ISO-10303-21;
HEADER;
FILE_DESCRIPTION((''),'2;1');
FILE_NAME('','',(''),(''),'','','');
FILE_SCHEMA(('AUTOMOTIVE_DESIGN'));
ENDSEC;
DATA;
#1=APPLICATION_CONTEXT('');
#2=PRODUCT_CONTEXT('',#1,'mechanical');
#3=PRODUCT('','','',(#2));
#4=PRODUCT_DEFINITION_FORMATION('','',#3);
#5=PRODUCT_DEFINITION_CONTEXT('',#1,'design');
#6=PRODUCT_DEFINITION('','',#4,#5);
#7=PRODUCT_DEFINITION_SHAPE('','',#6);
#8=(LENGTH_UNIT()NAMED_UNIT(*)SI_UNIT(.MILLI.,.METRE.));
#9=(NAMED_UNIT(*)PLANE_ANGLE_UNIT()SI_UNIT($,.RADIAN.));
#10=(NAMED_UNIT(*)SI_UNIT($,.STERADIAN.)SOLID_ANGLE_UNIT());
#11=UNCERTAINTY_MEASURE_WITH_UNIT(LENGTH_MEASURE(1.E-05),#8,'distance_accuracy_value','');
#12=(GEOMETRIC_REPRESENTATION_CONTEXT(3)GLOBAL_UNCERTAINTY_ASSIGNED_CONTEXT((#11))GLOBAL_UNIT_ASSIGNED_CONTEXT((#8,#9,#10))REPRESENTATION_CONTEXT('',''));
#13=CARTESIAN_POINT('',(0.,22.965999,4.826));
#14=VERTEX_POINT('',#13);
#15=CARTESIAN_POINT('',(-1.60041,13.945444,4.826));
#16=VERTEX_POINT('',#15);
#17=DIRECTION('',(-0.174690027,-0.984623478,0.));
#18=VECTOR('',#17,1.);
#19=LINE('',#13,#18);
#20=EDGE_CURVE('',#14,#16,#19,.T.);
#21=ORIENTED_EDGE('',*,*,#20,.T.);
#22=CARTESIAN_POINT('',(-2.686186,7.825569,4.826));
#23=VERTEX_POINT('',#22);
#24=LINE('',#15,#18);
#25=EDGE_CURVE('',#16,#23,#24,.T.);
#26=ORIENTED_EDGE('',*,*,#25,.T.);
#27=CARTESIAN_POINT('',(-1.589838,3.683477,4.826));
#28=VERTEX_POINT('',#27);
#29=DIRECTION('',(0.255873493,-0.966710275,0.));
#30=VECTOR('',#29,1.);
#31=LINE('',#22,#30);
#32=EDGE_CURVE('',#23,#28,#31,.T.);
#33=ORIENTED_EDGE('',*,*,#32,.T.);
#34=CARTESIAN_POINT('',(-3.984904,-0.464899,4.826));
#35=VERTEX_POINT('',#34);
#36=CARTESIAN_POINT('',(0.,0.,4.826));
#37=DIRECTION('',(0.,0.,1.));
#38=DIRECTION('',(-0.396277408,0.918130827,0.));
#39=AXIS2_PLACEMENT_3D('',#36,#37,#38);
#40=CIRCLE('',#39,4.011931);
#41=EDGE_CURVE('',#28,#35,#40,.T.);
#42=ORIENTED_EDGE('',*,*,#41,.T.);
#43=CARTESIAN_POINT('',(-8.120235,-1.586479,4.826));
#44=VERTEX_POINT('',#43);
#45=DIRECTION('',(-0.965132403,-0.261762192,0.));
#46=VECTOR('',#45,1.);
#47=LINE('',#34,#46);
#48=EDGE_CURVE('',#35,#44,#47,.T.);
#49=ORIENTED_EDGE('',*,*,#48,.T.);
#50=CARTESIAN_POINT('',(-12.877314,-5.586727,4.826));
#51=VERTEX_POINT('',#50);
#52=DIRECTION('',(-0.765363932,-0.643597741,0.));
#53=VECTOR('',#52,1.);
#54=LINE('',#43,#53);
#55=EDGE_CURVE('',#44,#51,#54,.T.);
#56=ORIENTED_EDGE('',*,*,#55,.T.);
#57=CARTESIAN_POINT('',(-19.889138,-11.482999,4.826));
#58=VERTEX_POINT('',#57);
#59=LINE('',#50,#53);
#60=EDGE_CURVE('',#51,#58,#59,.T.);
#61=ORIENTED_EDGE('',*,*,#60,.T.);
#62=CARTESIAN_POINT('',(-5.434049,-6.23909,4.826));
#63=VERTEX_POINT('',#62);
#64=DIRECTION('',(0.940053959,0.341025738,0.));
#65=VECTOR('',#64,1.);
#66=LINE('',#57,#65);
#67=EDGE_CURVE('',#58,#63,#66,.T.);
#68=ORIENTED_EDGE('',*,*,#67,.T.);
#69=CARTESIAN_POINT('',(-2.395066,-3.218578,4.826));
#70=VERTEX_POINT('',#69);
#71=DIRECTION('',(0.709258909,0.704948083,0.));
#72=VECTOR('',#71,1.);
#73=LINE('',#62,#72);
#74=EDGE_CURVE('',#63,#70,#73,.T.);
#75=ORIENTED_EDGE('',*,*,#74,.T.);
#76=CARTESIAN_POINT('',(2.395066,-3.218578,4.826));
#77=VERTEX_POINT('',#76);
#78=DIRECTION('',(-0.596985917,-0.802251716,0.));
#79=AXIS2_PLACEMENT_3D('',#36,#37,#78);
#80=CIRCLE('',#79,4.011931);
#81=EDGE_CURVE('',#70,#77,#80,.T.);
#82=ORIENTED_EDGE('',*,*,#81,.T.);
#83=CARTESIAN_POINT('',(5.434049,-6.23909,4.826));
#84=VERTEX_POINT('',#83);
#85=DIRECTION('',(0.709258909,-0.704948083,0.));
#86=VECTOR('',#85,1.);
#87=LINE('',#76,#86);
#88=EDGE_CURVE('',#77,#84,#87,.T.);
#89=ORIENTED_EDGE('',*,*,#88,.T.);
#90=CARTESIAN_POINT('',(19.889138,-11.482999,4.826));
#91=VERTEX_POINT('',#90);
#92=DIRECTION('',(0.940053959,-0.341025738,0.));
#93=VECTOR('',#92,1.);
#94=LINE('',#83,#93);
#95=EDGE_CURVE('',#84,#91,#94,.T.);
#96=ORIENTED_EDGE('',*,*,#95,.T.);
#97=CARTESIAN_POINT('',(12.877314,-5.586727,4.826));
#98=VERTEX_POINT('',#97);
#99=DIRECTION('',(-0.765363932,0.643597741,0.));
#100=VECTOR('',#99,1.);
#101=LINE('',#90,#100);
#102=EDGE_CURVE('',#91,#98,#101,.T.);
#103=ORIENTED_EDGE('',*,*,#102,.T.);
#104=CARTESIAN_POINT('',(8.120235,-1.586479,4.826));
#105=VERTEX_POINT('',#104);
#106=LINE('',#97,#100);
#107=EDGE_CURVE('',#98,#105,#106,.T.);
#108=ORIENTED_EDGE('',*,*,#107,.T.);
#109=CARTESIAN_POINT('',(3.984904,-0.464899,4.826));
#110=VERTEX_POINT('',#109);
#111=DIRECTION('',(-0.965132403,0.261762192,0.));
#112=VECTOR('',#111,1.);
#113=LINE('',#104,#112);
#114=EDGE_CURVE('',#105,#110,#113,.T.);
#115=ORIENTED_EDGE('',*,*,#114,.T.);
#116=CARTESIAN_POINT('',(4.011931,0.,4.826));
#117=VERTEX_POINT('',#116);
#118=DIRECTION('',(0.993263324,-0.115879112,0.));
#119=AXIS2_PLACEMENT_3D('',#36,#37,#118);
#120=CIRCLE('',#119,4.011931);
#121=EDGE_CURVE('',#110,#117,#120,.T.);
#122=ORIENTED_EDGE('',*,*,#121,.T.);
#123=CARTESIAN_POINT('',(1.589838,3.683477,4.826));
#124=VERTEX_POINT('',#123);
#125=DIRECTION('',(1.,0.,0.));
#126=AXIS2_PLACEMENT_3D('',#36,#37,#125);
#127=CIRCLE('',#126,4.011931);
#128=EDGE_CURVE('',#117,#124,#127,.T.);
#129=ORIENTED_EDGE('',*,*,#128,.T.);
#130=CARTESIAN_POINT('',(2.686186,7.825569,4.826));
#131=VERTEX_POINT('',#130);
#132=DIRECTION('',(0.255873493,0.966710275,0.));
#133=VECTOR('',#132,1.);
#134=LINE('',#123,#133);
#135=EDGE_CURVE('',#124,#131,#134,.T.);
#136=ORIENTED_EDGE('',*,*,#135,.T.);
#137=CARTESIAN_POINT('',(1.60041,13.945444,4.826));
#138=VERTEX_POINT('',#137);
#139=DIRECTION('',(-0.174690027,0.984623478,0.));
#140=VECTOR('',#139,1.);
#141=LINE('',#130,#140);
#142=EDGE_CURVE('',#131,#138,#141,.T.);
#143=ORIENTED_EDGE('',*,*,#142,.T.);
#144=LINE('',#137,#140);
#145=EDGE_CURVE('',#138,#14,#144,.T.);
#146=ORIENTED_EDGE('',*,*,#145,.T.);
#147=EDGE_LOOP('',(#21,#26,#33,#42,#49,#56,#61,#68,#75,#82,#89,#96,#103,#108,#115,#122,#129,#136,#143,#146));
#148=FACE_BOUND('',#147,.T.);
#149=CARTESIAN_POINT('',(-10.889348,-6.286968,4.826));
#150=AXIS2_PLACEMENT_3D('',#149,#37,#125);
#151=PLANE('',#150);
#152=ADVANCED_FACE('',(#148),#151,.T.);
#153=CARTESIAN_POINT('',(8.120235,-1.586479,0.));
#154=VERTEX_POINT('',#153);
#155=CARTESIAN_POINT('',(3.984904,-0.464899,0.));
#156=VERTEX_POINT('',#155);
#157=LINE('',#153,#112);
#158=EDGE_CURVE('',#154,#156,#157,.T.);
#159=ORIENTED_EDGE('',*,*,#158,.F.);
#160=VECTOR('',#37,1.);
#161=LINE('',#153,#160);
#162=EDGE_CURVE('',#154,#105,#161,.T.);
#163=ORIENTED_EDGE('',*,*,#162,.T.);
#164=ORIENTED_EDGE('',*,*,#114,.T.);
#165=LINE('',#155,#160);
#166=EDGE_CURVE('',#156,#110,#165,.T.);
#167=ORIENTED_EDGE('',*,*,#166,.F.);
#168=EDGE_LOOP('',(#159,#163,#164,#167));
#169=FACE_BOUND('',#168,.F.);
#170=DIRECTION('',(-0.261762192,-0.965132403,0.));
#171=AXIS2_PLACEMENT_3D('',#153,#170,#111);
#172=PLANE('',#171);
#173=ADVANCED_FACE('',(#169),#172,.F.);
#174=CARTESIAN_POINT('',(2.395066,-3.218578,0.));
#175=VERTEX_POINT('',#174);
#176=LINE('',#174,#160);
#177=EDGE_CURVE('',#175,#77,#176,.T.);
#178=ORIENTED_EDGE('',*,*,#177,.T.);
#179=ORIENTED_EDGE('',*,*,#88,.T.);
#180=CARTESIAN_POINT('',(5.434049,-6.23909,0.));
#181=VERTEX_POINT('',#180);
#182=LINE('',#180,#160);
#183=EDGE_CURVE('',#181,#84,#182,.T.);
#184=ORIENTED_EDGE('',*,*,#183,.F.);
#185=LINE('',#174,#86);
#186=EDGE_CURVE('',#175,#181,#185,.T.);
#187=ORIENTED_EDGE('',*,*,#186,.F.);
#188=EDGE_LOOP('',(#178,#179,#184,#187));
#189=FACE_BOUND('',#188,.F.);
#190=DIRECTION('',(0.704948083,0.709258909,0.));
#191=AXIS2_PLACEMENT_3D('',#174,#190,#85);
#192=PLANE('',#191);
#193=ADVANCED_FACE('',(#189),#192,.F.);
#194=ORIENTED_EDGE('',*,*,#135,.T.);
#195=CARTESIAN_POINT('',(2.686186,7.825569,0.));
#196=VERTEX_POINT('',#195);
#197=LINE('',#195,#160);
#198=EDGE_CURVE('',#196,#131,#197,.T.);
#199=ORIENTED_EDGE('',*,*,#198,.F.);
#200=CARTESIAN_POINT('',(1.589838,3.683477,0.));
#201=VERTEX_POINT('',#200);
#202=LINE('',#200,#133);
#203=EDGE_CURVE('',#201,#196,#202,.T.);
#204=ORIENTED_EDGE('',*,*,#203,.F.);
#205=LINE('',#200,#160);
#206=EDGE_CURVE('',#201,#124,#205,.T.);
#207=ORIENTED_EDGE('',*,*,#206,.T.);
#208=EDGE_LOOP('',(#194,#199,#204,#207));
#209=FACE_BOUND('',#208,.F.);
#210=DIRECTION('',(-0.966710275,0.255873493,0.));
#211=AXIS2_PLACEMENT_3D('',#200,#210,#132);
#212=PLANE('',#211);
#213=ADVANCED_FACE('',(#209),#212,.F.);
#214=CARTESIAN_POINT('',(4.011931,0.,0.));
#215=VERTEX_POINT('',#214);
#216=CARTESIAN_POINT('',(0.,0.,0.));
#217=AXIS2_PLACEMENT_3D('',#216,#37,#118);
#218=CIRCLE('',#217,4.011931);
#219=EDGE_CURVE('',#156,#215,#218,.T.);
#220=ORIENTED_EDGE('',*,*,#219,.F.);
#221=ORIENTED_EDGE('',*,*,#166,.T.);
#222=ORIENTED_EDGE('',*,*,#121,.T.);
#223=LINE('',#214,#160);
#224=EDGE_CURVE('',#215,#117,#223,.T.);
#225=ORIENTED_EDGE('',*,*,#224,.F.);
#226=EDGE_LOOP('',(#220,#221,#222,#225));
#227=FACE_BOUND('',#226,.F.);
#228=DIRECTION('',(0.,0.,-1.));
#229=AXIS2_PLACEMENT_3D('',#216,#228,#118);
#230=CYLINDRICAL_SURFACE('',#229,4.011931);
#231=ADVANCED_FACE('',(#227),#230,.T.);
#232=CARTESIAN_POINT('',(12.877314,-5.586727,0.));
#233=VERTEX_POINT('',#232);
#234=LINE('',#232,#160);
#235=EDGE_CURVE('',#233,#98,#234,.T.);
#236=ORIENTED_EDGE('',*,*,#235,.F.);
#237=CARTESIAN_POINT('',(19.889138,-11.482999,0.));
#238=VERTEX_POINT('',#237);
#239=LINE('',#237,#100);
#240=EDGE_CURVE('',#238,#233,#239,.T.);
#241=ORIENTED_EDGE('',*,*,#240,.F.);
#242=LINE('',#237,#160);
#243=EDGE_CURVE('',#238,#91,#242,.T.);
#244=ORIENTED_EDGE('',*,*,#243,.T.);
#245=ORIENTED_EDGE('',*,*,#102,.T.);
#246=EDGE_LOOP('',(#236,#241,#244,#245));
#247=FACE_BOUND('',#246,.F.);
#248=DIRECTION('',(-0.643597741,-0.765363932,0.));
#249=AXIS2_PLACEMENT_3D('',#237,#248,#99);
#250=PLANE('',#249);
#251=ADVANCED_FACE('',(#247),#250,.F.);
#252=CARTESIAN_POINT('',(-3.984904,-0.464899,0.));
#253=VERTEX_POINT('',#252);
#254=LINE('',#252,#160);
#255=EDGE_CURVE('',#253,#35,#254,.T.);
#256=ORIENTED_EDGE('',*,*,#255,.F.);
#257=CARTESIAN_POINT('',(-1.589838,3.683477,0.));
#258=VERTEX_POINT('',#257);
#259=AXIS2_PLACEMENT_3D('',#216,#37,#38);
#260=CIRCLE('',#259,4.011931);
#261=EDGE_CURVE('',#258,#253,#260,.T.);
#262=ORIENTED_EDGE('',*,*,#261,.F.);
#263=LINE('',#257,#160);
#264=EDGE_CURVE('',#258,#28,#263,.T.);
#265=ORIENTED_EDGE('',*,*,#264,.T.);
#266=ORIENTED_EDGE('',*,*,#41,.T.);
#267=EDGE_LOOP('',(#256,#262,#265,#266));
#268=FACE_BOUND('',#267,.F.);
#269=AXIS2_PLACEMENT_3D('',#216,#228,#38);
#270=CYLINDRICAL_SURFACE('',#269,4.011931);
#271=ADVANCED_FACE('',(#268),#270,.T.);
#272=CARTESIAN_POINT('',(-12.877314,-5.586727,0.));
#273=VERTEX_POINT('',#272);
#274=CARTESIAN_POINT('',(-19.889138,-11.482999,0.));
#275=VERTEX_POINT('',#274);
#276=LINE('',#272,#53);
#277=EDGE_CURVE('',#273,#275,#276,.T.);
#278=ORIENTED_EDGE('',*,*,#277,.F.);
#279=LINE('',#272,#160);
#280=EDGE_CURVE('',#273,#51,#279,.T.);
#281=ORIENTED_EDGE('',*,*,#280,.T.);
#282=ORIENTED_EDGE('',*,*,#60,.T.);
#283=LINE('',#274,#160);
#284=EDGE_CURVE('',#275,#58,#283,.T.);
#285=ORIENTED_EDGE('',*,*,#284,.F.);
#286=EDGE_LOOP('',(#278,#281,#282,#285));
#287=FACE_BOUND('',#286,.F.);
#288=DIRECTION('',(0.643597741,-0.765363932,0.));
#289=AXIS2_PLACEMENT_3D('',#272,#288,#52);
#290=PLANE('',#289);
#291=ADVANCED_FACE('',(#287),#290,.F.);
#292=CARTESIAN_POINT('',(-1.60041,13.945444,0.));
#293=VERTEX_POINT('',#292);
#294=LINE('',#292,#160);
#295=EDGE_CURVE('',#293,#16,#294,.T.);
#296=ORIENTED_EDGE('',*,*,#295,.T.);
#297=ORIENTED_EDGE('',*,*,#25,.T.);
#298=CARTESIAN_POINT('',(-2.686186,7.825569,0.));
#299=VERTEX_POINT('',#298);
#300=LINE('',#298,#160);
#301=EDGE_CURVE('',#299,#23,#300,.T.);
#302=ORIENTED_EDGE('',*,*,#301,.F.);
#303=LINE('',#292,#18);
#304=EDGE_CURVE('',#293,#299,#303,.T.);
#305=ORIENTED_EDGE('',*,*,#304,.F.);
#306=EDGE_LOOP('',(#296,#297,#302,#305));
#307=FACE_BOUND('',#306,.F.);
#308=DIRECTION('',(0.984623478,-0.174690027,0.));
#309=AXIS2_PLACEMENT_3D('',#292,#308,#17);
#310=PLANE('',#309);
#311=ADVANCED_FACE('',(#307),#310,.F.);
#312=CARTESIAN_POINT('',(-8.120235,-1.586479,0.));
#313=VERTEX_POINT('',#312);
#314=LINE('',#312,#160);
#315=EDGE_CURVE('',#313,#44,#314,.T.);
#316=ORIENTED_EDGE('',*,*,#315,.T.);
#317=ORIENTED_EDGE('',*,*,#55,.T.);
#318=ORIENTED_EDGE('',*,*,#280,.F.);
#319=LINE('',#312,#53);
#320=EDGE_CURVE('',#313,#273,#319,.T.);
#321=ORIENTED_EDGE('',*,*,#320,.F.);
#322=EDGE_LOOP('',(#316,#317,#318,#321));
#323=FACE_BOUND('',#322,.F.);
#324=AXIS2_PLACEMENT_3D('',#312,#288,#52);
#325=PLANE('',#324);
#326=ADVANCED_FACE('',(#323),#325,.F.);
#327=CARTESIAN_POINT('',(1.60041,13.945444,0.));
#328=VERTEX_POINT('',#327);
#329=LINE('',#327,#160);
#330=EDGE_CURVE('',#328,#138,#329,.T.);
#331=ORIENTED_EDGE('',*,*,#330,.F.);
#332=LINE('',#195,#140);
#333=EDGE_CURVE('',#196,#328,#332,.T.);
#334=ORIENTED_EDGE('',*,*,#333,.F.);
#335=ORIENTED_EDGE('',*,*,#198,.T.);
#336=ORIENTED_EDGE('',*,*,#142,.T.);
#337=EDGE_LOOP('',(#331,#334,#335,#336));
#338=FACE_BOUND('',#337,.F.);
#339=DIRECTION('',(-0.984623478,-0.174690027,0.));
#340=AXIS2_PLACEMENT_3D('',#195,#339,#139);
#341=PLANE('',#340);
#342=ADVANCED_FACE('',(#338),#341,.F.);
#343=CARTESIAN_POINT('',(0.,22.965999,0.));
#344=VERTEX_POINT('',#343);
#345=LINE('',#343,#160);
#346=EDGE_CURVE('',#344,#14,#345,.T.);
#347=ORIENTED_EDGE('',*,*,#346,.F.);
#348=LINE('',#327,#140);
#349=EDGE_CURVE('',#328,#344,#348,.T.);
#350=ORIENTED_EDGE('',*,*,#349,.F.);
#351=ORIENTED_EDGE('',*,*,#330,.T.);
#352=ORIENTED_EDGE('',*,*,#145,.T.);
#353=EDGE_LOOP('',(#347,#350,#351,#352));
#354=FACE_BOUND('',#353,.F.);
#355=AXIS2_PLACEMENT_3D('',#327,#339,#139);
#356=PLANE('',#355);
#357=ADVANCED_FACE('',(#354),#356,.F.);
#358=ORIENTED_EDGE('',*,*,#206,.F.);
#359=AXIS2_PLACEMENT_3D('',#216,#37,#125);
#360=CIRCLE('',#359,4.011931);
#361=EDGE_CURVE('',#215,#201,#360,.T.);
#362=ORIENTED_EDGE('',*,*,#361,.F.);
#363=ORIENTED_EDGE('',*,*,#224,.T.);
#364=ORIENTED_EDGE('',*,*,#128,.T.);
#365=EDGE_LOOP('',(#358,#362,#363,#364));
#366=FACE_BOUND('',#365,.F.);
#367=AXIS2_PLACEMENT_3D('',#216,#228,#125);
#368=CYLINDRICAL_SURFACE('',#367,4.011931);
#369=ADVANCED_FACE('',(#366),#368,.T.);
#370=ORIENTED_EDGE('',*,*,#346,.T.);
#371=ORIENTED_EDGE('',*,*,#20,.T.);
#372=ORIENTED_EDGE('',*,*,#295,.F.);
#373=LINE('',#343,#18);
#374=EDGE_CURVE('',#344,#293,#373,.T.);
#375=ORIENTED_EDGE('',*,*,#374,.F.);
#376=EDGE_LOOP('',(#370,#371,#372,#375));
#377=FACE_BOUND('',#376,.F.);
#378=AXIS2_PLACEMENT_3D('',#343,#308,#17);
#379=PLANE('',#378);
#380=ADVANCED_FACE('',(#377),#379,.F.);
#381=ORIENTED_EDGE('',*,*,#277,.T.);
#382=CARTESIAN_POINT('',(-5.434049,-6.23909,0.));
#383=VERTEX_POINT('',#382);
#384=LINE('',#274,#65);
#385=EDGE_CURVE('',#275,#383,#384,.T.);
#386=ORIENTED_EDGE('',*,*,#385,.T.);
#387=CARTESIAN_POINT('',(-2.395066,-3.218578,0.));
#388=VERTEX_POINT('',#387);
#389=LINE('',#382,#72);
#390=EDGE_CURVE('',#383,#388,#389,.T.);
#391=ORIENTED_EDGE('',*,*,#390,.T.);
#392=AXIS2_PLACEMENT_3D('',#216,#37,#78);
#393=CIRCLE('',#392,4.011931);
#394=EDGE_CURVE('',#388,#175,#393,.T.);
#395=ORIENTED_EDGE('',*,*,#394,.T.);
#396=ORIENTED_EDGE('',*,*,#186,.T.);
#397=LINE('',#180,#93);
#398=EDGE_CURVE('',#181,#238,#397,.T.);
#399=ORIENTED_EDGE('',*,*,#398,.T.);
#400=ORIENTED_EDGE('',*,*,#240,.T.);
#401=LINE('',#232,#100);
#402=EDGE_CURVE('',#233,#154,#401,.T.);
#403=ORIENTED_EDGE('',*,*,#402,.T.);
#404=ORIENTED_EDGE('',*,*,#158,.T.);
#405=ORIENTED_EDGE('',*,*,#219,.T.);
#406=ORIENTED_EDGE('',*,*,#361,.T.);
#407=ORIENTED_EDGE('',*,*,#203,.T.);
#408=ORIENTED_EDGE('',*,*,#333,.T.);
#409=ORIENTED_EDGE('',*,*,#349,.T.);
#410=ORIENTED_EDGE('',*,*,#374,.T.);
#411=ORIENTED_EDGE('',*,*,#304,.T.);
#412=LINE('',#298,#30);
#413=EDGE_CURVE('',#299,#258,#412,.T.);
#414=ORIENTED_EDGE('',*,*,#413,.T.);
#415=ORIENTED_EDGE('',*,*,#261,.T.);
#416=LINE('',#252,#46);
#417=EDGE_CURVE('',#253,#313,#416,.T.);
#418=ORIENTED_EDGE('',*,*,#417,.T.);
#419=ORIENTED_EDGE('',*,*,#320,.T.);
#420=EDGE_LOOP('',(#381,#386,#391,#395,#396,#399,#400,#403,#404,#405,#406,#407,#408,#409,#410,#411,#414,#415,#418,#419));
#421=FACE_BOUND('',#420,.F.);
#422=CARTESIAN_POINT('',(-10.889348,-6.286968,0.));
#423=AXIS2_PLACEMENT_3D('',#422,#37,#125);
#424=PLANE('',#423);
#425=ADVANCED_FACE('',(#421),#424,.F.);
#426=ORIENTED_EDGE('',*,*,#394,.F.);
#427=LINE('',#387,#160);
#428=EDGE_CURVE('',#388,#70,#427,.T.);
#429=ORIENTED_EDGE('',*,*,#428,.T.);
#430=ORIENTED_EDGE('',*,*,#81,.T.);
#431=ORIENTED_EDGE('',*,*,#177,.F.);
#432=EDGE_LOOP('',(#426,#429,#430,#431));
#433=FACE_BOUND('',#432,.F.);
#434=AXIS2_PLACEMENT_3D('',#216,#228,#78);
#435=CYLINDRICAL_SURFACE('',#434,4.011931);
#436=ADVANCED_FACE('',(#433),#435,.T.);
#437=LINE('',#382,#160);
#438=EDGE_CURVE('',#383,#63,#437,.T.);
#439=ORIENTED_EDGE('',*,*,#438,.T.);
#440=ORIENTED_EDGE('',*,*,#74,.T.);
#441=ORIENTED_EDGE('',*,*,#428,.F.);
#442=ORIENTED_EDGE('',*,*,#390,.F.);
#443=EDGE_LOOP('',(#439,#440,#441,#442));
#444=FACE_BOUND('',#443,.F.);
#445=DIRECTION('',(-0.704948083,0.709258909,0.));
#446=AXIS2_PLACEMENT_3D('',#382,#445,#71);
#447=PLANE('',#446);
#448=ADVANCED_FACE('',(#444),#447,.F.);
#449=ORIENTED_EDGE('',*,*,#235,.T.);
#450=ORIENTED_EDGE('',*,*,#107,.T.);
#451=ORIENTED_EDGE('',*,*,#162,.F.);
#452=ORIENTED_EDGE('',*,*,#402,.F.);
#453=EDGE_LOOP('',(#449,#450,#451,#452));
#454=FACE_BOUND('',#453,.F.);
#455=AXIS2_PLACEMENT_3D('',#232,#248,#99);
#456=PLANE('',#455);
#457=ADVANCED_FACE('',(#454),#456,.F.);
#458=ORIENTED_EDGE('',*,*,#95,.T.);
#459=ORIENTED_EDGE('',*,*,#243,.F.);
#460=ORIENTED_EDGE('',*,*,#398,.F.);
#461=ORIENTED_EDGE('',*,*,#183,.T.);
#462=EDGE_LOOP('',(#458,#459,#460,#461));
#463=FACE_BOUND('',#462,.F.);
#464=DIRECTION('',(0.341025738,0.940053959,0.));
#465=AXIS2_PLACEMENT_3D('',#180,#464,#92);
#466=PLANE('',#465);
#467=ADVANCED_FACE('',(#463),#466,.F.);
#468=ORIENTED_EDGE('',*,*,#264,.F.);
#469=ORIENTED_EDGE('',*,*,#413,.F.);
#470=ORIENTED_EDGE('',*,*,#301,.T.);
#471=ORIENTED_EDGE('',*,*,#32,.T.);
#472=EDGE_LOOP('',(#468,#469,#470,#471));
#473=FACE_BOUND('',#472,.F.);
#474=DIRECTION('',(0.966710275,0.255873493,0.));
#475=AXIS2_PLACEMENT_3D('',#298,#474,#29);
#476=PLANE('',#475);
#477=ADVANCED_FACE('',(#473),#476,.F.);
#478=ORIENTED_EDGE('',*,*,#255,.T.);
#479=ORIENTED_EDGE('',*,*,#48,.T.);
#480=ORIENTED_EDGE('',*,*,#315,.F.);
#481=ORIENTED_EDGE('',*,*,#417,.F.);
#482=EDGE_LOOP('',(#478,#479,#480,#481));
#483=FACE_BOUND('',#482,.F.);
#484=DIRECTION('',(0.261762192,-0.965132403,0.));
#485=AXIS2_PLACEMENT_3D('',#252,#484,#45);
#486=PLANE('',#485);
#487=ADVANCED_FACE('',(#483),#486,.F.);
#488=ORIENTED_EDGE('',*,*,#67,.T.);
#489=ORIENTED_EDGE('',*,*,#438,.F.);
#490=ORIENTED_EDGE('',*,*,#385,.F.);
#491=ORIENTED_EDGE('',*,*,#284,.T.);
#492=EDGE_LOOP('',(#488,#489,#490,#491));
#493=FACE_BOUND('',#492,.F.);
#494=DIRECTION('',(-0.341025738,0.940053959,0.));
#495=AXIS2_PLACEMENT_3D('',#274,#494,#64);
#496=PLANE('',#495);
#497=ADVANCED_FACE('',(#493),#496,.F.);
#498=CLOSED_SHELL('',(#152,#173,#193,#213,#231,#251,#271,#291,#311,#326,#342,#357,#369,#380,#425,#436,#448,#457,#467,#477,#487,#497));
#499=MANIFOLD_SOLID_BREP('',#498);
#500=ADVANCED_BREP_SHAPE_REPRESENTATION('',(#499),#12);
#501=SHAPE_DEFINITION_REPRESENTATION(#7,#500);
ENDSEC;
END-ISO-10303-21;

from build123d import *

# Parameters (mm, degrees)
F1_DEPTH = 4.826


with BuildPart() as f1:
    # F0 (on Top) → F1 (new body)
    with BuildSketch(Plane.XY):
        with BuildLine():
            Line((-5.4340486553, -6.2390901375), (-2.3950662662, -3.2185784738))
            ThreePointArc((-2.3950662662, -3.2185784738), (-3.4744341062, -2.0059654665), (-3.9849038555, -0.4648989934))
            Line((-3.9849038555, -0.4648989934), (-8.1202348833, -1.5864791121))
            Line((-8.1202348833, -1.5864791121), (-12.8773135585, -5.5867265234))
            Line((-12.8773135585, -5.5867265234), (-19.88913827, -11.4829993342))
            Line((-19.88913827, -11.4829993342), (-11.2769038725, -8.3587174124))
            Line((-11.2769038725, -8.3587174124), (-5.4340486553, -6.2390901375))
        make_face()
        with BuildLine():
            Line((8.1202348833, -1.5864791121), (3.9849038555, -0.4648989934))
            ThreePointArc((3.9849038555, -0.4648989934), (3.4744341062, -2.0059654665), (2.3950662662, -3.2185784738))
            Line((2.3950662662, -3.2185784738), (5.4340486553, -6.2390901375))
            Line((5.4340486553, -6.2390901375), (11.2769038725, -8.3587174124))
            Line((11.2769038725, -8.3587174124), (19.88913827, -11.4829993342))
            Line((19.88913827, -11.4829993342), (12.8773135585, -5.5867265234))
            Line((12.8773135585, -5.5867265234), (8.1202348833, -1.5864791121))
        make_face()
        with BuildLine():
            ThreePointArc((0, 4.011930933), (0.8117058025, 3.9289595953), (1.5898375893, 3.6834774672))
            Line((1.5898375893, 3.6834774672), (2.6861862279, 7.8255692497))
            Line((2.6861862279, 7.8255692497), (1.6004096859, 13.9454439358))
            Line((1.6004096859, 13.9454439358), (0, 22.9659986683))
            Line((0, 22.9659986683), (0, 4.011930933))
        make_face()
        with BuildLine():
            ThreePointArc((3.9849038555, -0.4648989934), (4.0051684643, -0.2328419727), (4.011930933, 0))
            ThreePointArc((4.011930933, 0), (3.3521566502, 2.2042312956), (1.5898375893, 3.6834774672))
            ThreePointArc((1.5898375893, 3.6834774672), (0.8117058025, 3.9289595953), (0, 4.011930933))
            ThreePointArc((0, 4.011930933), (-0.8117058025, 3.9289595953), (-1.5898375893, 3.6834774672))
            ThreePointArc((-1.5898375893, 3.6834774672), (-3.4744341062, 2.0059654665), (-3.9849038555, -0.4648989934))
            ThreePointArc((-3.9849038555, -0.4648989934), (-3.4744341062, -2.0059654665), (-2.3950662662, -3.2185784738))
            ThreePointArc((-2.3950662662, -3.2185784738), (0, -4.011930933), (2.3950662662, -3.2185784738))
            ThreePointArc((2.3950662662, -3.2185784738), (3.4744341062, -2.0059654665), (3.9849038555, -0.4648989934))
        make_face()
        with BuildLine():
            ThreePointArc((-1.5898375893, 3.6834774672), (-0.8117058025, 3.9289595953), (0, 4.011930933))
            Line((0, 4.011930933), (0, 22.9659986683))
            Line((0, 22.9659986683), (-1.6004096859, 13.9454439358))
            Line((-1.6004096859, 13.9454439358), (-2.6861862279, 7.8255692497))
            Line((-2.6861862279, 7.8255692497), (-1.5898375893, 3.6834774672))
        make_face()
    extrude(amount=F1_DEPTH)


solid = f1.part
